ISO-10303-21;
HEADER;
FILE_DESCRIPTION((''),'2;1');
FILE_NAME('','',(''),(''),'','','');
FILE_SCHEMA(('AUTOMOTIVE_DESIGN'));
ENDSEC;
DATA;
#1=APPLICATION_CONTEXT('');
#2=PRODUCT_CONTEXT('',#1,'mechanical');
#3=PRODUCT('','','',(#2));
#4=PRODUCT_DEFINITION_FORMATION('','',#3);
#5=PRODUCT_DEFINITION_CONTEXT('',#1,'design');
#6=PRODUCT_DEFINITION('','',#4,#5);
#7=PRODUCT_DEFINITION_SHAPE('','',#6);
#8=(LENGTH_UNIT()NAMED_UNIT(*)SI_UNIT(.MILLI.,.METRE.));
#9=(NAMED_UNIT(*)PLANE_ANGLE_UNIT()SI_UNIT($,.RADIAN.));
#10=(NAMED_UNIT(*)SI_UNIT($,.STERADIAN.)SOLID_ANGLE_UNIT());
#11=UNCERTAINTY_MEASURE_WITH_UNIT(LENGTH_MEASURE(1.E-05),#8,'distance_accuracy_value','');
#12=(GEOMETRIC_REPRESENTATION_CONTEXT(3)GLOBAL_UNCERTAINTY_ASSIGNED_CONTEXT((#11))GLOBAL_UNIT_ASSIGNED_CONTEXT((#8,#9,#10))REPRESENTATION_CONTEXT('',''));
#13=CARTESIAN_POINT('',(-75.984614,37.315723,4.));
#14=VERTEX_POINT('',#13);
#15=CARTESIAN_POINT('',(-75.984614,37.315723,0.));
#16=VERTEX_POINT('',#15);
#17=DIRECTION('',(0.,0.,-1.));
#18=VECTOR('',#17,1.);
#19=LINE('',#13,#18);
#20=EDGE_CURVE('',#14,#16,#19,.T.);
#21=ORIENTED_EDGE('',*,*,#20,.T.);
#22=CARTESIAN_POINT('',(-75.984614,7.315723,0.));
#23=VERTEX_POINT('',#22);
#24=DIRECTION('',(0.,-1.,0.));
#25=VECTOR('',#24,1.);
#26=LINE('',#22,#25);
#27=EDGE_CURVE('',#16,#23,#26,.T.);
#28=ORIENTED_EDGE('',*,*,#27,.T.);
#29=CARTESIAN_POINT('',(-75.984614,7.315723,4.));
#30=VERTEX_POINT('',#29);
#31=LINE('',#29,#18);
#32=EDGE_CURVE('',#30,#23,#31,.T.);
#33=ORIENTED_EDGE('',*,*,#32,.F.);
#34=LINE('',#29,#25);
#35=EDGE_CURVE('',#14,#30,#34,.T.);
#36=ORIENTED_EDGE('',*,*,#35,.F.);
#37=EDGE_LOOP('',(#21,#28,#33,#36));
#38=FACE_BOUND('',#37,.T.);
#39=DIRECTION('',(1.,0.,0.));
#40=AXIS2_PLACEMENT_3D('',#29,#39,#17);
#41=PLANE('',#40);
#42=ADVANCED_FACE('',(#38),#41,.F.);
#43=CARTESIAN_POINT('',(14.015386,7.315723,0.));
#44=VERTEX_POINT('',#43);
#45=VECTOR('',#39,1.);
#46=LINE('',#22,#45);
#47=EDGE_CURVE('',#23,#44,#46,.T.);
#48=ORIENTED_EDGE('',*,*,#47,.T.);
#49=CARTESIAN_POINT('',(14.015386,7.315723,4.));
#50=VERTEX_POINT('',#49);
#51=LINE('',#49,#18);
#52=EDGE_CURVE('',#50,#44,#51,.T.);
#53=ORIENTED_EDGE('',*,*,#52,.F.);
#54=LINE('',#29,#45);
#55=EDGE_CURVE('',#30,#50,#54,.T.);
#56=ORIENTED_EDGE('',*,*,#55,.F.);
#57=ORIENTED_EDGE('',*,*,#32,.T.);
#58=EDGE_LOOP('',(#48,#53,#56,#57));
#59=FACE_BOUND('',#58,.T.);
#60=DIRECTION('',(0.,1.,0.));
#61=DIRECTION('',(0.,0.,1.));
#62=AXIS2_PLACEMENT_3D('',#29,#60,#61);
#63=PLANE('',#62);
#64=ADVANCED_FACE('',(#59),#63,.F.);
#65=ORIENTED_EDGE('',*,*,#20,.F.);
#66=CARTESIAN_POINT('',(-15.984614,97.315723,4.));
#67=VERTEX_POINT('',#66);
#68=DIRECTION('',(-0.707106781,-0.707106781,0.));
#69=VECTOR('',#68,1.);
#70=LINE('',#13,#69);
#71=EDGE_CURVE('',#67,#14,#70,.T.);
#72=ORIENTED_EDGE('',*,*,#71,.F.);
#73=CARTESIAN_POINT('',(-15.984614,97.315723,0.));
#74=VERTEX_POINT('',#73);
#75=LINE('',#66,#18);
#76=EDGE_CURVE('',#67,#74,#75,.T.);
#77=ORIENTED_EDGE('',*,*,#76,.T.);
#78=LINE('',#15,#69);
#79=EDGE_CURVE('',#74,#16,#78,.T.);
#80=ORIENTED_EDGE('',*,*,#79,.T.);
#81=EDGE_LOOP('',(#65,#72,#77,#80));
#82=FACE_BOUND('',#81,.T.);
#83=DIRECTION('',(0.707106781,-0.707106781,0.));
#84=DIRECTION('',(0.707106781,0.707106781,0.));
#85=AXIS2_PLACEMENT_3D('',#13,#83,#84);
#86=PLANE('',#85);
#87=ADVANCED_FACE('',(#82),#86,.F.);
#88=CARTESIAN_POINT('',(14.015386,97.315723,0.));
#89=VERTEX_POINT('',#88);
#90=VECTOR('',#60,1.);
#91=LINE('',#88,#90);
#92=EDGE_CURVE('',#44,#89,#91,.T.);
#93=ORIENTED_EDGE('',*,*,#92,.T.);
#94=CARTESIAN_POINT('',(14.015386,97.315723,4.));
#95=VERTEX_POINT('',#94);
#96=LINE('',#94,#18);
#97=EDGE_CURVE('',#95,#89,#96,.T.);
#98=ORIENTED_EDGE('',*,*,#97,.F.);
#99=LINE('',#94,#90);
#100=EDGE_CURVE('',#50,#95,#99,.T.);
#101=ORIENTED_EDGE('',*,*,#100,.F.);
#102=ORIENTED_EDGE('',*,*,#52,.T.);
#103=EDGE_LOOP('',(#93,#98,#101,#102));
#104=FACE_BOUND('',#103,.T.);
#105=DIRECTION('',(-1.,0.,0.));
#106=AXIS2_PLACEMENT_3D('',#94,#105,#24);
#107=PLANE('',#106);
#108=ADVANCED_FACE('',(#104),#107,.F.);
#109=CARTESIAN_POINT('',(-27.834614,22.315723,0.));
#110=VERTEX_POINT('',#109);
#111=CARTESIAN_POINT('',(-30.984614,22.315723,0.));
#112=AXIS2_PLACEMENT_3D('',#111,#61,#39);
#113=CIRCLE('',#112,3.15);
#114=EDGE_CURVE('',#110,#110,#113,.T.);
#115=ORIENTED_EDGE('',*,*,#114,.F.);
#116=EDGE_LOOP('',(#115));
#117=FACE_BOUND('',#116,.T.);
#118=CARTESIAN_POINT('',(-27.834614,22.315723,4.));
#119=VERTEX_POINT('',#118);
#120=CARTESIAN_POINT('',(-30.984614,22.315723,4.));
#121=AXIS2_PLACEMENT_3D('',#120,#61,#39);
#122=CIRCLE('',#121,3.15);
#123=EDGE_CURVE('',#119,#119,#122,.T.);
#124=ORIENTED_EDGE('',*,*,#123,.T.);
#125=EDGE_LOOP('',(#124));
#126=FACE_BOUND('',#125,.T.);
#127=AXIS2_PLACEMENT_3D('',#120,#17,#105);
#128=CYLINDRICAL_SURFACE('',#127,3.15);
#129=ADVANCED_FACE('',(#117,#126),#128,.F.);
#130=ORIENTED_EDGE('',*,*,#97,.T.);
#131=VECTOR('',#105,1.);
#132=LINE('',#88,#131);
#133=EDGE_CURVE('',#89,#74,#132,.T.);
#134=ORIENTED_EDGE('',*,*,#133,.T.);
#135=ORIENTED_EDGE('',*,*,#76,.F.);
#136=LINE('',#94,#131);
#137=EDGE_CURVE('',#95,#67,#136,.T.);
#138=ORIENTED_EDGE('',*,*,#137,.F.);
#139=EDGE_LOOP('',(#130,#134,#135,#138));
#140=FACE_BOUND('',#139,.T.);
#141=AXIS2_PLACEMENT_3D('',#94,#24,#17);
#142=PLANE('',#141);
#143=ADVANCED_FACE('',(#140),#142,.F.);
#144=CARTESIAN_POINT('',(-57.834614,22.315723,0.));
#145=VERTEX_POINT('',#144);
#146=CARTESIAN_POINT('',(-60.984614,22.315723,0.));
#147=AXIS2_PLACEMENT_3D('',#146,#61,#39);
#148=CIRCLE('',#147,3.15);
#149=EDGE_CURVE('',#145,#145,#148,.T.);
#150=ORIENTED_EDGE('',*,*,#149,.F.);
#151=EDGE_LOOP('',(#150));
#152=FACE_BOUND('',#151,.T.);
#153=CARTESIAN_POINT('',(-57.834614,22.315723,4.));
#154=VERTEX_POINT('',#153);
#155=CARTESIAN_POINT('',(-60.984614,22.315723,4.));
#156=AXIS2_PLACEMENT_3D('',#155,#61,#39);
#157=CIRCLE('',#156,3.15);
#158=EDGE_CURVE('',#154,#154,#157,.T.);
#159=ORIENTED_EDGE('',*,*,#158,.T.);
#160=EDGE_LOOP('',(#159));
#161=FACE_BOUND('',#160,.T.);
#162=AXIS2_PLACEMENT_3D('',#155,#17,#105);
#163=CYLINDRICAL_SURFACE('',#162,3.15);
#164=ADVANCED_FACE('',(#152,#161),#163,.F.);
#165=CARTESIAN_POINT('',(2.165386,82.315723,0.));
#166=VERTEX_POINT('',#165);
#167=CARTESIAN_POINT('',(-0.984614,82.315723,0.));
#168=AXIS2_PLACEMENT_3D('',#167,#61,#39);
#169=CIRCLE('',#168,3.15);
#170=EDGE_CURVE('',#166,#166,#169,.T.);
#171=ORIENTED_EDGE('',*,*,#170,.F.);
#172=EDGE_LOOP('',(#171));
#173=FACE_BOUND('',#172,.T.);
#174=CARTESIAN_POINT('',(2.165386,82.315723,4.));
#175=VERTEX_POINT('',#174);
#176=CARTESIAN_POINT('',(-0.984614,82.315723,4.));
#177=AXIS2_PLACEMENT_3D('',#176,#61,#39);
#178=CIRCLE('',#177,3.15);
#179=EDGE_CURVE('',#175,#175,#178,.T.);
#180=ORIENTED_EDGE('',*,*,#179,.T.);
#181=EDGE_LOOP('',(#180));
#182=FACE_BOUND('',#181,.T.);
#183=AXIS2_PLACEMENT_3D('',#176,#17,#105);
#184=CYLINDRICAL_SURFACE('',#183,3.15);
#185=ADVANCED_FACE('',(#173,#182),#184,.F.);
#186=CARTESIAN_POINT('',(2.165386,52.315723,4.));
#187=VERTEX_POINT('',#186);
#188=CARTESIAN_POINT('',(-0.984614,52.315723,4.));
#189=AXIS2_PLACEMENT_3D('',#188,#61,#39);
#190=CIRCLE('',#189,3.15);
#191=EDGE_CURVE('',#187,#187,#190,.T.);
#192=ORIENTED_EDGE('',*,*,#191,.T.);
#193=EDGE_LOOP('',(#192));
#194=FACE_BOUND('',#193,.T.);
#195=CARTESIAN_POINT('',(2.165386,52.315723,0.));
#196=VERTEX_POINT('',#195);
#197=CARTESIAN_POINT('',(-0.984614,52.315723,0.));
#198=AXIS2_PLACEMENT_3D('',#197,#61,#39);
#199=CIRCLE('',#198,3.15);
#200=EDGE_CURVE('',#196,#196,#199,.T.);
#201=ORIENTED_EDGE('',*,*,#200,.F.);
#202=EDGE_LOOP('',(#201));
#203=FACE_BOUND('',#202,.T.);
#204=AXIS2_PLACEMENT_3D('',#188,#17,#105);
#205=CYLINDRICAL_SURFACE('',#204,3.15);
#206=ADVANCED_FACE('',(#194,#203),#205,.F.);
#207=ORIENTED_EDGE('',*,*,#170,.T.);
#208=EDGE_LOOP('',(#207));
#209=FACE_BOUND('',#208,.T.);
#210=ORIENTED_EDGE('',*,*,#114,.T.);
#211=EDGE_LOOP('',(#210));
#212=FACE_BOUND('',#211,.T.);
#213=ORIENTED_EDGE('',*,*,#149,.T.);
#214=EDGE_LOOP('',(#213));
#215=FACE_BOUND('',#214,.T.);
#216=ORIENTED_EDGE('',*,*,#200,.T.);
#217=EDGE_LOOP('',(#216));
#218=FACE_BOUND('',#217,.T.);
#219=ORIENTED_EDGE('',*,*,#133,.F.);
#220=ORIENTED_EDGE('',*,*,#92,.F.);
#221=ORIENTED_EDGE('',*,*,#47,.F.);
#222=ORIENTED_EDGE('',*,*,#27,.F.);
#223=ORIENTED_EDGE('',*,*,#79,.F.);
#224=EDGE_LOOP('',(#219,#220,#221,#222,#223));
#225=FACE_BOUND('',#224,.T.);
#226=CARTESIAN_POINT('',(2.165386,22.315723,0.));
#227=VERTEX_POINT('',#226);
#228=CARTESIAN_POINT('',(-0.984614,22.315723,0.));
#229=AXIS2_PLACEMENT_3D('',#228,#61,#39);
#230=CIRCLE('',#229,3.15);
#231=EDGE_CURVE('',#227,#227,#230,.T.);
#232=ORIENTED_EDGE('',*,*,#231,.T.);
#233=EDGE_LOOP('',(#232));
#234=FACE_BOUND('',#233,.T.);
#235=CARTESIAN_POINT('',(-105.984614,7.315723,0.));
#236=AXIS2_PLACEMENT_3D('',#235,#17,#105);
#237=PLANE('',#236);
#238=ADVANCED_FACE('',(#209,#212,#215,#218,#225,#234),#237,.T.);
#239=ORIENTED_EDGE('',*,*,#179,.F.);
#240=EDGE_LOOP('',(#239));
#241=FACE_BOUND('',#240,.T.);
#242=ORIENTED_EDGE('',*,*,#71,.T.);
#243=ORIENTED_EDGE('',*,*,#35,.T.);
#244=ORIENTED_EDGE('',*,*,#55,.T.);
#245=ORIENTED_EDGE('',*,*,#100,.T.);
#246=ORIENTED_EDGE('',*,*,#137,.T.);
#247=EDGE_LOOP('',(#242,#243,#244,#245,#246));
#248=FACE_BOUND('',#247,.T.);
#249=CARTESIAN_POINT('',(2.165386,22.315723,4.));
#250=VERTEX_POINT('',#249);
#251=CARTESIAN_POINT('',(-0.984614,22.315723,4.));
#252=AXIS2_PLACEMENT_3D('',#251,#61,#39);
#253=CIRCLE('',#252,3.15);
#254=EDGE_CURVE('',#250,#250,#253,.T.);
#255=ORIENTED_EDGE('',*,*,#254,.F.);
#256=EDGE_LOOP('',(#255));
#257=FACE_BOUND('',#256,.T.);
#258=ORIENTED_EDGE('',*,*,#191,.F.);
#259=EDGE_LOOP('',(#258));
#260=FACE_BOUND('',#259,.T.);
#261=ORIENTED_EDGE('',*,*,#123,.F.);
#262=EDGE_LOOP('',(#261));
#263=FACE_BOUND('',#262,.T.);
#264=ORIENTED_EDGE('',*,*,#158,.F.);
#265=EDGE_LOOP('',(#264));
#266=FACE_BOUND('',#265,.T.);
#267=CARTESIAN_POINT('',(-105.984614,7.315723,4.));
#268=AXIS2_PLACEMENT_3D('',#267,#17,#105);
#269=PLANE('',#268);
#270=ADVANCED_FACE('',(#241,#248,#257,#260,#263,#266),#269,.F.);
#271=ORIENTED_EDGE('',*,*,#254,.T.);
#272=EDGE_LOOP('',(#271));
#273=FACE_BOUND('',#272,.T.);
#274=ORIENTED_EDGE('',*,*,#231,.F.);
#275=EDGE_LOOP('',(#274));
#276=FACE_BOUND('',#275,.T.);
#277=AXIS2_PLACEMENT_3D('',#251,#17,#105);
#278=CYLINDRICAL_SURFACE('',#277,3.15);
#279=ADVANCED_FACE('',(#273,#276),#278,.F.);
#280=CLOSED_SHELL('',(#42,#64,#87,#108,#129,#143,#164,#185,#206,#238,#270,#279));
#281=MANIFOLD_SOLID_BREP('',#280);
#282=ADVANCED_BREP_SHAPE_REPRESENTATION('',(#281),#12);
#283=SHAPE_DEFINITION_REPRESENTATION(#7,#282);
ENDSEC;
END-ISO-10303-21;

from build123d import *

# Parameters (mm, degrees)
SKETCH1_R      = 3.15
EXTRUDE1_DEPTH = 4


with BuildPart() as part:
    # Sketch1 → Extrude1 (new body)
    with BuildSketch(Plane.XY):
        Polygon((14.015385947, 97.315723434), (-15.984614053, 97.315723434), (-75.984614053, 37.315723434), (-75.984614053, 7.315723434), (14.015385947, 7.315723434), align=None)
        with Locations((-0.984614053, 52.315723434)):
            Circle(SKETCH1_R, mode=Mode.SUBTRACT)
        with Locations((-0.984614053, 82.315723434)):
            Circle(SKETCH1_R, mode=Mode.SUBTRACT)
        with Locations((-0.984614053, 22.315723434)):
            Circle(SKETCH1_R, mode=Mode.SUBTRACT)
        with Locations((-30.984614053, 22.315723434)):
            Circle(SKETCH1_R, mode=Mode.SUBTRACT)
        with Locations((-60.984614053, 22.315723434)):
            Circle(SKETCH1_R, mode=Mode.SUBTRACT)
    extrude(amount=EXTRUDE1_DEPTH)


solid = part.part
